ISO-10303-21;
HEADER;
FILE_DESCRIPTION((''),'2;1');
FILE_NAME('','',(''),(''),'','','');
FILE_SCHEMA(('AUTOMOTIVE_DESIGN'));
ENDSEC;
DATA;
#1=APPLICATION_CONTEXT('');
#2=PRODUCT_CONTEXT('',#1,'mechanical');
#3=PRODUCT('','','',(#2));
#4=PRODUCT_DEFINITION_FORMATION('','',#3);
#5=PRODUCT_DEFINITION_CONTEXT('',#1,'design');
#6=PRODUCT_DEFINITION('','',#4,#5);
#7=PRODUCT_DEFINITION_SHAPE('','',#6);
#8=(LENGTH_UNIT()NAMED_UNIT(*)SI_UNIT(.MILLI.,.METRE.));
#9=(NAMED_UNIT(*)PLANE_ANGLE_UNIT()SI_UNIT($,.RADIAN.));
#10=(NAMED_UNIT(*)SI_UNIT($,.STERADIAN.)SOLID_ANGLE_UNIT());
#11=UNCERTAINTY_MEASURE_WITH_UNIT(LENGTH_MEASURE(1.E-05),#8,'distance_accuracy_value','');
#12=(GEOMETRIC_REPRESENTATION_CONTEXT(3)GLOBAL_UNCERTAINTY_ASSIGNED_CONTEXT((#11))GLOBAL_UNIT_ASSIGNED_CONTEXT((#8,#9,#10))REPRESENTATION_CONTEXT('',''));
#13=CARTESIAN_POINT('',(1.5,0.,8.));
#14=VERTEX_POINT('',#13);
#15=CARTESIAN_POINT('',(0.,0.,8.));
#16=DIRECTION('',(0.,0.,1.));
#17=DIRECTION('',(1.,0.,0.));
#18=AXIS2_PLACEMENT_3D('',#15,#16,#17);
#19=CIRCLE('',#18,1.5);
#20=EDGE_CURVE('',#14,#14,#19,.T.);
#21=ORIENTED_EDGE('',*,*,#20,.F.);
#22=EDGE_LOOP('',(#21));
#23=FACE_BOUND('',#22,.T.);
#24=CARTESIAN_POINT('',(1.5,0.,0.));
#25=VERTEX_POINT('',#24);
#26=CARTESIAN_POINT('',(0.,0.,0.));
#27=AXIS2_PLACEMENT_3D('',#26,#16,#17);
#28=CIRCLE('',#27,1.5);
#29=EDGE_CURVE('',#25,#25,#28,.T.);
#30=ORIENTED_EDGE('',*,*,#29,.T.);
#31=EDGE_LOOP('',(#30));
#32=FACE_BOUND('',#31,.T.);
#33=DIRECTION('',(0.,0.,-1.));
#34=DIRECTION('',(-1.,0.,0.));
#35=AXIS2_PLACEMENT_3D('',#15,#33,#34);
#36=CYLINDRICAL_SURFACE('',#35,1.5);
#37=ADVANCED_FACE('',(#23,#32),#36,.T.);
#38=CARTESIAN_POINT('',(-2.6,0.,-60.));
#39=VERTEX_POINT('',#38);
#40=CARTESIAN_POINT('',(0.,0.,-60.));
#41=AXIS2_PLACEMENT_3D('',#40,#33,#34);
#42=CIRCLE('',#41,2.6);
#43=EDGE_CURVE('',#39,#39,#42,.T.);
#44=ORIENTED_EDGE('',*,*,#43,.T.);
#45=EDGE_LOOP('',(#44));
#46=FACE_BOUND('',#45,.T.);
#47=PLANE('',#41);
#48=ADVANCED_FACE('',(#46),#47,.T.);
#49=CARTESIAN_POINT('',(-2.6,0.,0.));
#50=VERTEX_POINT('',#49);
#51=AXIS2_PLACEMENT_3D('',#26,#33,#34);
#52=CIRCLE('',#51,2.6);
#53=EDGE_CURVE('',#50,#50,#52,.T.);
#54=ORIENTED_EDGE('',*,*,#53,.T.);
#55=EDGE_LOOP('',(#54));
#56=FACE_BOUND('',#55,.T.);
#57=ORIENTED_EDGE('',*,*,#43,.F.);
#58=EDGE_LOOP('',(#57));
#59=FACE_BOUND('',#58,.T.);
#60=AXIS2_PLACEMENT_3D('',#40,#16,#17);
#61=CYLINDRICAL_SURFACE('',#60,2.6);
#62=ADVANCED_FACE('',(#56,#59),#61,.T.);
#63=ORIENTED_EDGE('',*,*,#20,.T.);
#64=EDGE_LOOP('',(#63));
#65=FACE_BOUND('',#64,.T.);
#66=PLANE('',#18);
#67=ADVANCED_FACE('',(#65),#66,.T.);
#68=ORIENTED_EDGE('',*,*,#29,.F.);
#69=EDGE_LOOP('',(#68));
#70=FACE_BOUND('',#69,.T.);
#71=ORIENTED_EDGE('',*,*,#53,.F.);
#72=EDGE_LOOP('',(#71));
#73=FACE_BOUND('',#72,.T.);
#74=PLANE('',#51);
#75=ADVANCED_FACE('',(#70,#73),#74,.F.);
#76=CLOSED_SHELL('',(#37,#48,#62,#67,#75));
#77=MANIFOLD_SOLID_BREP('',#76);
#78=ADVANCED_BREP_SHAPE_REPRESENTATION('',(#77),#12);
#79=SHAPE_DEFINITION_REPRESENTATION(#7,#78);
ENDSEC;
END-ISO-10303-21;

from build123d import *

# Parameters (mm, degrees)
SKETCH_1_R      = 1.5
EXTRUDE_1_DEPTH = 8
SKETCH_2_R      = 2.6
EXTRUDE_2_DEPTH = 60


with BuildPart() as part:
    # 草图1 → 凸台-拉伸1 (new body)
    with BuildSketch(Plane.XY):
        Circle(SKETCH_1_R)
    extrude(amount=EXTRUDE_1_DEPTH)

    # 草图2 → 凸台-拉伸2 (add)
    with BuildSketch(Plane(origin=(0, 0, 0), x_dir=(-1, 0, 0), z_dir=(0, 0, -1))):
        Circle(SKETCH_2_R)
    extrude(amount=EXTRUDE_2_DEPTH)


solid = part.part
